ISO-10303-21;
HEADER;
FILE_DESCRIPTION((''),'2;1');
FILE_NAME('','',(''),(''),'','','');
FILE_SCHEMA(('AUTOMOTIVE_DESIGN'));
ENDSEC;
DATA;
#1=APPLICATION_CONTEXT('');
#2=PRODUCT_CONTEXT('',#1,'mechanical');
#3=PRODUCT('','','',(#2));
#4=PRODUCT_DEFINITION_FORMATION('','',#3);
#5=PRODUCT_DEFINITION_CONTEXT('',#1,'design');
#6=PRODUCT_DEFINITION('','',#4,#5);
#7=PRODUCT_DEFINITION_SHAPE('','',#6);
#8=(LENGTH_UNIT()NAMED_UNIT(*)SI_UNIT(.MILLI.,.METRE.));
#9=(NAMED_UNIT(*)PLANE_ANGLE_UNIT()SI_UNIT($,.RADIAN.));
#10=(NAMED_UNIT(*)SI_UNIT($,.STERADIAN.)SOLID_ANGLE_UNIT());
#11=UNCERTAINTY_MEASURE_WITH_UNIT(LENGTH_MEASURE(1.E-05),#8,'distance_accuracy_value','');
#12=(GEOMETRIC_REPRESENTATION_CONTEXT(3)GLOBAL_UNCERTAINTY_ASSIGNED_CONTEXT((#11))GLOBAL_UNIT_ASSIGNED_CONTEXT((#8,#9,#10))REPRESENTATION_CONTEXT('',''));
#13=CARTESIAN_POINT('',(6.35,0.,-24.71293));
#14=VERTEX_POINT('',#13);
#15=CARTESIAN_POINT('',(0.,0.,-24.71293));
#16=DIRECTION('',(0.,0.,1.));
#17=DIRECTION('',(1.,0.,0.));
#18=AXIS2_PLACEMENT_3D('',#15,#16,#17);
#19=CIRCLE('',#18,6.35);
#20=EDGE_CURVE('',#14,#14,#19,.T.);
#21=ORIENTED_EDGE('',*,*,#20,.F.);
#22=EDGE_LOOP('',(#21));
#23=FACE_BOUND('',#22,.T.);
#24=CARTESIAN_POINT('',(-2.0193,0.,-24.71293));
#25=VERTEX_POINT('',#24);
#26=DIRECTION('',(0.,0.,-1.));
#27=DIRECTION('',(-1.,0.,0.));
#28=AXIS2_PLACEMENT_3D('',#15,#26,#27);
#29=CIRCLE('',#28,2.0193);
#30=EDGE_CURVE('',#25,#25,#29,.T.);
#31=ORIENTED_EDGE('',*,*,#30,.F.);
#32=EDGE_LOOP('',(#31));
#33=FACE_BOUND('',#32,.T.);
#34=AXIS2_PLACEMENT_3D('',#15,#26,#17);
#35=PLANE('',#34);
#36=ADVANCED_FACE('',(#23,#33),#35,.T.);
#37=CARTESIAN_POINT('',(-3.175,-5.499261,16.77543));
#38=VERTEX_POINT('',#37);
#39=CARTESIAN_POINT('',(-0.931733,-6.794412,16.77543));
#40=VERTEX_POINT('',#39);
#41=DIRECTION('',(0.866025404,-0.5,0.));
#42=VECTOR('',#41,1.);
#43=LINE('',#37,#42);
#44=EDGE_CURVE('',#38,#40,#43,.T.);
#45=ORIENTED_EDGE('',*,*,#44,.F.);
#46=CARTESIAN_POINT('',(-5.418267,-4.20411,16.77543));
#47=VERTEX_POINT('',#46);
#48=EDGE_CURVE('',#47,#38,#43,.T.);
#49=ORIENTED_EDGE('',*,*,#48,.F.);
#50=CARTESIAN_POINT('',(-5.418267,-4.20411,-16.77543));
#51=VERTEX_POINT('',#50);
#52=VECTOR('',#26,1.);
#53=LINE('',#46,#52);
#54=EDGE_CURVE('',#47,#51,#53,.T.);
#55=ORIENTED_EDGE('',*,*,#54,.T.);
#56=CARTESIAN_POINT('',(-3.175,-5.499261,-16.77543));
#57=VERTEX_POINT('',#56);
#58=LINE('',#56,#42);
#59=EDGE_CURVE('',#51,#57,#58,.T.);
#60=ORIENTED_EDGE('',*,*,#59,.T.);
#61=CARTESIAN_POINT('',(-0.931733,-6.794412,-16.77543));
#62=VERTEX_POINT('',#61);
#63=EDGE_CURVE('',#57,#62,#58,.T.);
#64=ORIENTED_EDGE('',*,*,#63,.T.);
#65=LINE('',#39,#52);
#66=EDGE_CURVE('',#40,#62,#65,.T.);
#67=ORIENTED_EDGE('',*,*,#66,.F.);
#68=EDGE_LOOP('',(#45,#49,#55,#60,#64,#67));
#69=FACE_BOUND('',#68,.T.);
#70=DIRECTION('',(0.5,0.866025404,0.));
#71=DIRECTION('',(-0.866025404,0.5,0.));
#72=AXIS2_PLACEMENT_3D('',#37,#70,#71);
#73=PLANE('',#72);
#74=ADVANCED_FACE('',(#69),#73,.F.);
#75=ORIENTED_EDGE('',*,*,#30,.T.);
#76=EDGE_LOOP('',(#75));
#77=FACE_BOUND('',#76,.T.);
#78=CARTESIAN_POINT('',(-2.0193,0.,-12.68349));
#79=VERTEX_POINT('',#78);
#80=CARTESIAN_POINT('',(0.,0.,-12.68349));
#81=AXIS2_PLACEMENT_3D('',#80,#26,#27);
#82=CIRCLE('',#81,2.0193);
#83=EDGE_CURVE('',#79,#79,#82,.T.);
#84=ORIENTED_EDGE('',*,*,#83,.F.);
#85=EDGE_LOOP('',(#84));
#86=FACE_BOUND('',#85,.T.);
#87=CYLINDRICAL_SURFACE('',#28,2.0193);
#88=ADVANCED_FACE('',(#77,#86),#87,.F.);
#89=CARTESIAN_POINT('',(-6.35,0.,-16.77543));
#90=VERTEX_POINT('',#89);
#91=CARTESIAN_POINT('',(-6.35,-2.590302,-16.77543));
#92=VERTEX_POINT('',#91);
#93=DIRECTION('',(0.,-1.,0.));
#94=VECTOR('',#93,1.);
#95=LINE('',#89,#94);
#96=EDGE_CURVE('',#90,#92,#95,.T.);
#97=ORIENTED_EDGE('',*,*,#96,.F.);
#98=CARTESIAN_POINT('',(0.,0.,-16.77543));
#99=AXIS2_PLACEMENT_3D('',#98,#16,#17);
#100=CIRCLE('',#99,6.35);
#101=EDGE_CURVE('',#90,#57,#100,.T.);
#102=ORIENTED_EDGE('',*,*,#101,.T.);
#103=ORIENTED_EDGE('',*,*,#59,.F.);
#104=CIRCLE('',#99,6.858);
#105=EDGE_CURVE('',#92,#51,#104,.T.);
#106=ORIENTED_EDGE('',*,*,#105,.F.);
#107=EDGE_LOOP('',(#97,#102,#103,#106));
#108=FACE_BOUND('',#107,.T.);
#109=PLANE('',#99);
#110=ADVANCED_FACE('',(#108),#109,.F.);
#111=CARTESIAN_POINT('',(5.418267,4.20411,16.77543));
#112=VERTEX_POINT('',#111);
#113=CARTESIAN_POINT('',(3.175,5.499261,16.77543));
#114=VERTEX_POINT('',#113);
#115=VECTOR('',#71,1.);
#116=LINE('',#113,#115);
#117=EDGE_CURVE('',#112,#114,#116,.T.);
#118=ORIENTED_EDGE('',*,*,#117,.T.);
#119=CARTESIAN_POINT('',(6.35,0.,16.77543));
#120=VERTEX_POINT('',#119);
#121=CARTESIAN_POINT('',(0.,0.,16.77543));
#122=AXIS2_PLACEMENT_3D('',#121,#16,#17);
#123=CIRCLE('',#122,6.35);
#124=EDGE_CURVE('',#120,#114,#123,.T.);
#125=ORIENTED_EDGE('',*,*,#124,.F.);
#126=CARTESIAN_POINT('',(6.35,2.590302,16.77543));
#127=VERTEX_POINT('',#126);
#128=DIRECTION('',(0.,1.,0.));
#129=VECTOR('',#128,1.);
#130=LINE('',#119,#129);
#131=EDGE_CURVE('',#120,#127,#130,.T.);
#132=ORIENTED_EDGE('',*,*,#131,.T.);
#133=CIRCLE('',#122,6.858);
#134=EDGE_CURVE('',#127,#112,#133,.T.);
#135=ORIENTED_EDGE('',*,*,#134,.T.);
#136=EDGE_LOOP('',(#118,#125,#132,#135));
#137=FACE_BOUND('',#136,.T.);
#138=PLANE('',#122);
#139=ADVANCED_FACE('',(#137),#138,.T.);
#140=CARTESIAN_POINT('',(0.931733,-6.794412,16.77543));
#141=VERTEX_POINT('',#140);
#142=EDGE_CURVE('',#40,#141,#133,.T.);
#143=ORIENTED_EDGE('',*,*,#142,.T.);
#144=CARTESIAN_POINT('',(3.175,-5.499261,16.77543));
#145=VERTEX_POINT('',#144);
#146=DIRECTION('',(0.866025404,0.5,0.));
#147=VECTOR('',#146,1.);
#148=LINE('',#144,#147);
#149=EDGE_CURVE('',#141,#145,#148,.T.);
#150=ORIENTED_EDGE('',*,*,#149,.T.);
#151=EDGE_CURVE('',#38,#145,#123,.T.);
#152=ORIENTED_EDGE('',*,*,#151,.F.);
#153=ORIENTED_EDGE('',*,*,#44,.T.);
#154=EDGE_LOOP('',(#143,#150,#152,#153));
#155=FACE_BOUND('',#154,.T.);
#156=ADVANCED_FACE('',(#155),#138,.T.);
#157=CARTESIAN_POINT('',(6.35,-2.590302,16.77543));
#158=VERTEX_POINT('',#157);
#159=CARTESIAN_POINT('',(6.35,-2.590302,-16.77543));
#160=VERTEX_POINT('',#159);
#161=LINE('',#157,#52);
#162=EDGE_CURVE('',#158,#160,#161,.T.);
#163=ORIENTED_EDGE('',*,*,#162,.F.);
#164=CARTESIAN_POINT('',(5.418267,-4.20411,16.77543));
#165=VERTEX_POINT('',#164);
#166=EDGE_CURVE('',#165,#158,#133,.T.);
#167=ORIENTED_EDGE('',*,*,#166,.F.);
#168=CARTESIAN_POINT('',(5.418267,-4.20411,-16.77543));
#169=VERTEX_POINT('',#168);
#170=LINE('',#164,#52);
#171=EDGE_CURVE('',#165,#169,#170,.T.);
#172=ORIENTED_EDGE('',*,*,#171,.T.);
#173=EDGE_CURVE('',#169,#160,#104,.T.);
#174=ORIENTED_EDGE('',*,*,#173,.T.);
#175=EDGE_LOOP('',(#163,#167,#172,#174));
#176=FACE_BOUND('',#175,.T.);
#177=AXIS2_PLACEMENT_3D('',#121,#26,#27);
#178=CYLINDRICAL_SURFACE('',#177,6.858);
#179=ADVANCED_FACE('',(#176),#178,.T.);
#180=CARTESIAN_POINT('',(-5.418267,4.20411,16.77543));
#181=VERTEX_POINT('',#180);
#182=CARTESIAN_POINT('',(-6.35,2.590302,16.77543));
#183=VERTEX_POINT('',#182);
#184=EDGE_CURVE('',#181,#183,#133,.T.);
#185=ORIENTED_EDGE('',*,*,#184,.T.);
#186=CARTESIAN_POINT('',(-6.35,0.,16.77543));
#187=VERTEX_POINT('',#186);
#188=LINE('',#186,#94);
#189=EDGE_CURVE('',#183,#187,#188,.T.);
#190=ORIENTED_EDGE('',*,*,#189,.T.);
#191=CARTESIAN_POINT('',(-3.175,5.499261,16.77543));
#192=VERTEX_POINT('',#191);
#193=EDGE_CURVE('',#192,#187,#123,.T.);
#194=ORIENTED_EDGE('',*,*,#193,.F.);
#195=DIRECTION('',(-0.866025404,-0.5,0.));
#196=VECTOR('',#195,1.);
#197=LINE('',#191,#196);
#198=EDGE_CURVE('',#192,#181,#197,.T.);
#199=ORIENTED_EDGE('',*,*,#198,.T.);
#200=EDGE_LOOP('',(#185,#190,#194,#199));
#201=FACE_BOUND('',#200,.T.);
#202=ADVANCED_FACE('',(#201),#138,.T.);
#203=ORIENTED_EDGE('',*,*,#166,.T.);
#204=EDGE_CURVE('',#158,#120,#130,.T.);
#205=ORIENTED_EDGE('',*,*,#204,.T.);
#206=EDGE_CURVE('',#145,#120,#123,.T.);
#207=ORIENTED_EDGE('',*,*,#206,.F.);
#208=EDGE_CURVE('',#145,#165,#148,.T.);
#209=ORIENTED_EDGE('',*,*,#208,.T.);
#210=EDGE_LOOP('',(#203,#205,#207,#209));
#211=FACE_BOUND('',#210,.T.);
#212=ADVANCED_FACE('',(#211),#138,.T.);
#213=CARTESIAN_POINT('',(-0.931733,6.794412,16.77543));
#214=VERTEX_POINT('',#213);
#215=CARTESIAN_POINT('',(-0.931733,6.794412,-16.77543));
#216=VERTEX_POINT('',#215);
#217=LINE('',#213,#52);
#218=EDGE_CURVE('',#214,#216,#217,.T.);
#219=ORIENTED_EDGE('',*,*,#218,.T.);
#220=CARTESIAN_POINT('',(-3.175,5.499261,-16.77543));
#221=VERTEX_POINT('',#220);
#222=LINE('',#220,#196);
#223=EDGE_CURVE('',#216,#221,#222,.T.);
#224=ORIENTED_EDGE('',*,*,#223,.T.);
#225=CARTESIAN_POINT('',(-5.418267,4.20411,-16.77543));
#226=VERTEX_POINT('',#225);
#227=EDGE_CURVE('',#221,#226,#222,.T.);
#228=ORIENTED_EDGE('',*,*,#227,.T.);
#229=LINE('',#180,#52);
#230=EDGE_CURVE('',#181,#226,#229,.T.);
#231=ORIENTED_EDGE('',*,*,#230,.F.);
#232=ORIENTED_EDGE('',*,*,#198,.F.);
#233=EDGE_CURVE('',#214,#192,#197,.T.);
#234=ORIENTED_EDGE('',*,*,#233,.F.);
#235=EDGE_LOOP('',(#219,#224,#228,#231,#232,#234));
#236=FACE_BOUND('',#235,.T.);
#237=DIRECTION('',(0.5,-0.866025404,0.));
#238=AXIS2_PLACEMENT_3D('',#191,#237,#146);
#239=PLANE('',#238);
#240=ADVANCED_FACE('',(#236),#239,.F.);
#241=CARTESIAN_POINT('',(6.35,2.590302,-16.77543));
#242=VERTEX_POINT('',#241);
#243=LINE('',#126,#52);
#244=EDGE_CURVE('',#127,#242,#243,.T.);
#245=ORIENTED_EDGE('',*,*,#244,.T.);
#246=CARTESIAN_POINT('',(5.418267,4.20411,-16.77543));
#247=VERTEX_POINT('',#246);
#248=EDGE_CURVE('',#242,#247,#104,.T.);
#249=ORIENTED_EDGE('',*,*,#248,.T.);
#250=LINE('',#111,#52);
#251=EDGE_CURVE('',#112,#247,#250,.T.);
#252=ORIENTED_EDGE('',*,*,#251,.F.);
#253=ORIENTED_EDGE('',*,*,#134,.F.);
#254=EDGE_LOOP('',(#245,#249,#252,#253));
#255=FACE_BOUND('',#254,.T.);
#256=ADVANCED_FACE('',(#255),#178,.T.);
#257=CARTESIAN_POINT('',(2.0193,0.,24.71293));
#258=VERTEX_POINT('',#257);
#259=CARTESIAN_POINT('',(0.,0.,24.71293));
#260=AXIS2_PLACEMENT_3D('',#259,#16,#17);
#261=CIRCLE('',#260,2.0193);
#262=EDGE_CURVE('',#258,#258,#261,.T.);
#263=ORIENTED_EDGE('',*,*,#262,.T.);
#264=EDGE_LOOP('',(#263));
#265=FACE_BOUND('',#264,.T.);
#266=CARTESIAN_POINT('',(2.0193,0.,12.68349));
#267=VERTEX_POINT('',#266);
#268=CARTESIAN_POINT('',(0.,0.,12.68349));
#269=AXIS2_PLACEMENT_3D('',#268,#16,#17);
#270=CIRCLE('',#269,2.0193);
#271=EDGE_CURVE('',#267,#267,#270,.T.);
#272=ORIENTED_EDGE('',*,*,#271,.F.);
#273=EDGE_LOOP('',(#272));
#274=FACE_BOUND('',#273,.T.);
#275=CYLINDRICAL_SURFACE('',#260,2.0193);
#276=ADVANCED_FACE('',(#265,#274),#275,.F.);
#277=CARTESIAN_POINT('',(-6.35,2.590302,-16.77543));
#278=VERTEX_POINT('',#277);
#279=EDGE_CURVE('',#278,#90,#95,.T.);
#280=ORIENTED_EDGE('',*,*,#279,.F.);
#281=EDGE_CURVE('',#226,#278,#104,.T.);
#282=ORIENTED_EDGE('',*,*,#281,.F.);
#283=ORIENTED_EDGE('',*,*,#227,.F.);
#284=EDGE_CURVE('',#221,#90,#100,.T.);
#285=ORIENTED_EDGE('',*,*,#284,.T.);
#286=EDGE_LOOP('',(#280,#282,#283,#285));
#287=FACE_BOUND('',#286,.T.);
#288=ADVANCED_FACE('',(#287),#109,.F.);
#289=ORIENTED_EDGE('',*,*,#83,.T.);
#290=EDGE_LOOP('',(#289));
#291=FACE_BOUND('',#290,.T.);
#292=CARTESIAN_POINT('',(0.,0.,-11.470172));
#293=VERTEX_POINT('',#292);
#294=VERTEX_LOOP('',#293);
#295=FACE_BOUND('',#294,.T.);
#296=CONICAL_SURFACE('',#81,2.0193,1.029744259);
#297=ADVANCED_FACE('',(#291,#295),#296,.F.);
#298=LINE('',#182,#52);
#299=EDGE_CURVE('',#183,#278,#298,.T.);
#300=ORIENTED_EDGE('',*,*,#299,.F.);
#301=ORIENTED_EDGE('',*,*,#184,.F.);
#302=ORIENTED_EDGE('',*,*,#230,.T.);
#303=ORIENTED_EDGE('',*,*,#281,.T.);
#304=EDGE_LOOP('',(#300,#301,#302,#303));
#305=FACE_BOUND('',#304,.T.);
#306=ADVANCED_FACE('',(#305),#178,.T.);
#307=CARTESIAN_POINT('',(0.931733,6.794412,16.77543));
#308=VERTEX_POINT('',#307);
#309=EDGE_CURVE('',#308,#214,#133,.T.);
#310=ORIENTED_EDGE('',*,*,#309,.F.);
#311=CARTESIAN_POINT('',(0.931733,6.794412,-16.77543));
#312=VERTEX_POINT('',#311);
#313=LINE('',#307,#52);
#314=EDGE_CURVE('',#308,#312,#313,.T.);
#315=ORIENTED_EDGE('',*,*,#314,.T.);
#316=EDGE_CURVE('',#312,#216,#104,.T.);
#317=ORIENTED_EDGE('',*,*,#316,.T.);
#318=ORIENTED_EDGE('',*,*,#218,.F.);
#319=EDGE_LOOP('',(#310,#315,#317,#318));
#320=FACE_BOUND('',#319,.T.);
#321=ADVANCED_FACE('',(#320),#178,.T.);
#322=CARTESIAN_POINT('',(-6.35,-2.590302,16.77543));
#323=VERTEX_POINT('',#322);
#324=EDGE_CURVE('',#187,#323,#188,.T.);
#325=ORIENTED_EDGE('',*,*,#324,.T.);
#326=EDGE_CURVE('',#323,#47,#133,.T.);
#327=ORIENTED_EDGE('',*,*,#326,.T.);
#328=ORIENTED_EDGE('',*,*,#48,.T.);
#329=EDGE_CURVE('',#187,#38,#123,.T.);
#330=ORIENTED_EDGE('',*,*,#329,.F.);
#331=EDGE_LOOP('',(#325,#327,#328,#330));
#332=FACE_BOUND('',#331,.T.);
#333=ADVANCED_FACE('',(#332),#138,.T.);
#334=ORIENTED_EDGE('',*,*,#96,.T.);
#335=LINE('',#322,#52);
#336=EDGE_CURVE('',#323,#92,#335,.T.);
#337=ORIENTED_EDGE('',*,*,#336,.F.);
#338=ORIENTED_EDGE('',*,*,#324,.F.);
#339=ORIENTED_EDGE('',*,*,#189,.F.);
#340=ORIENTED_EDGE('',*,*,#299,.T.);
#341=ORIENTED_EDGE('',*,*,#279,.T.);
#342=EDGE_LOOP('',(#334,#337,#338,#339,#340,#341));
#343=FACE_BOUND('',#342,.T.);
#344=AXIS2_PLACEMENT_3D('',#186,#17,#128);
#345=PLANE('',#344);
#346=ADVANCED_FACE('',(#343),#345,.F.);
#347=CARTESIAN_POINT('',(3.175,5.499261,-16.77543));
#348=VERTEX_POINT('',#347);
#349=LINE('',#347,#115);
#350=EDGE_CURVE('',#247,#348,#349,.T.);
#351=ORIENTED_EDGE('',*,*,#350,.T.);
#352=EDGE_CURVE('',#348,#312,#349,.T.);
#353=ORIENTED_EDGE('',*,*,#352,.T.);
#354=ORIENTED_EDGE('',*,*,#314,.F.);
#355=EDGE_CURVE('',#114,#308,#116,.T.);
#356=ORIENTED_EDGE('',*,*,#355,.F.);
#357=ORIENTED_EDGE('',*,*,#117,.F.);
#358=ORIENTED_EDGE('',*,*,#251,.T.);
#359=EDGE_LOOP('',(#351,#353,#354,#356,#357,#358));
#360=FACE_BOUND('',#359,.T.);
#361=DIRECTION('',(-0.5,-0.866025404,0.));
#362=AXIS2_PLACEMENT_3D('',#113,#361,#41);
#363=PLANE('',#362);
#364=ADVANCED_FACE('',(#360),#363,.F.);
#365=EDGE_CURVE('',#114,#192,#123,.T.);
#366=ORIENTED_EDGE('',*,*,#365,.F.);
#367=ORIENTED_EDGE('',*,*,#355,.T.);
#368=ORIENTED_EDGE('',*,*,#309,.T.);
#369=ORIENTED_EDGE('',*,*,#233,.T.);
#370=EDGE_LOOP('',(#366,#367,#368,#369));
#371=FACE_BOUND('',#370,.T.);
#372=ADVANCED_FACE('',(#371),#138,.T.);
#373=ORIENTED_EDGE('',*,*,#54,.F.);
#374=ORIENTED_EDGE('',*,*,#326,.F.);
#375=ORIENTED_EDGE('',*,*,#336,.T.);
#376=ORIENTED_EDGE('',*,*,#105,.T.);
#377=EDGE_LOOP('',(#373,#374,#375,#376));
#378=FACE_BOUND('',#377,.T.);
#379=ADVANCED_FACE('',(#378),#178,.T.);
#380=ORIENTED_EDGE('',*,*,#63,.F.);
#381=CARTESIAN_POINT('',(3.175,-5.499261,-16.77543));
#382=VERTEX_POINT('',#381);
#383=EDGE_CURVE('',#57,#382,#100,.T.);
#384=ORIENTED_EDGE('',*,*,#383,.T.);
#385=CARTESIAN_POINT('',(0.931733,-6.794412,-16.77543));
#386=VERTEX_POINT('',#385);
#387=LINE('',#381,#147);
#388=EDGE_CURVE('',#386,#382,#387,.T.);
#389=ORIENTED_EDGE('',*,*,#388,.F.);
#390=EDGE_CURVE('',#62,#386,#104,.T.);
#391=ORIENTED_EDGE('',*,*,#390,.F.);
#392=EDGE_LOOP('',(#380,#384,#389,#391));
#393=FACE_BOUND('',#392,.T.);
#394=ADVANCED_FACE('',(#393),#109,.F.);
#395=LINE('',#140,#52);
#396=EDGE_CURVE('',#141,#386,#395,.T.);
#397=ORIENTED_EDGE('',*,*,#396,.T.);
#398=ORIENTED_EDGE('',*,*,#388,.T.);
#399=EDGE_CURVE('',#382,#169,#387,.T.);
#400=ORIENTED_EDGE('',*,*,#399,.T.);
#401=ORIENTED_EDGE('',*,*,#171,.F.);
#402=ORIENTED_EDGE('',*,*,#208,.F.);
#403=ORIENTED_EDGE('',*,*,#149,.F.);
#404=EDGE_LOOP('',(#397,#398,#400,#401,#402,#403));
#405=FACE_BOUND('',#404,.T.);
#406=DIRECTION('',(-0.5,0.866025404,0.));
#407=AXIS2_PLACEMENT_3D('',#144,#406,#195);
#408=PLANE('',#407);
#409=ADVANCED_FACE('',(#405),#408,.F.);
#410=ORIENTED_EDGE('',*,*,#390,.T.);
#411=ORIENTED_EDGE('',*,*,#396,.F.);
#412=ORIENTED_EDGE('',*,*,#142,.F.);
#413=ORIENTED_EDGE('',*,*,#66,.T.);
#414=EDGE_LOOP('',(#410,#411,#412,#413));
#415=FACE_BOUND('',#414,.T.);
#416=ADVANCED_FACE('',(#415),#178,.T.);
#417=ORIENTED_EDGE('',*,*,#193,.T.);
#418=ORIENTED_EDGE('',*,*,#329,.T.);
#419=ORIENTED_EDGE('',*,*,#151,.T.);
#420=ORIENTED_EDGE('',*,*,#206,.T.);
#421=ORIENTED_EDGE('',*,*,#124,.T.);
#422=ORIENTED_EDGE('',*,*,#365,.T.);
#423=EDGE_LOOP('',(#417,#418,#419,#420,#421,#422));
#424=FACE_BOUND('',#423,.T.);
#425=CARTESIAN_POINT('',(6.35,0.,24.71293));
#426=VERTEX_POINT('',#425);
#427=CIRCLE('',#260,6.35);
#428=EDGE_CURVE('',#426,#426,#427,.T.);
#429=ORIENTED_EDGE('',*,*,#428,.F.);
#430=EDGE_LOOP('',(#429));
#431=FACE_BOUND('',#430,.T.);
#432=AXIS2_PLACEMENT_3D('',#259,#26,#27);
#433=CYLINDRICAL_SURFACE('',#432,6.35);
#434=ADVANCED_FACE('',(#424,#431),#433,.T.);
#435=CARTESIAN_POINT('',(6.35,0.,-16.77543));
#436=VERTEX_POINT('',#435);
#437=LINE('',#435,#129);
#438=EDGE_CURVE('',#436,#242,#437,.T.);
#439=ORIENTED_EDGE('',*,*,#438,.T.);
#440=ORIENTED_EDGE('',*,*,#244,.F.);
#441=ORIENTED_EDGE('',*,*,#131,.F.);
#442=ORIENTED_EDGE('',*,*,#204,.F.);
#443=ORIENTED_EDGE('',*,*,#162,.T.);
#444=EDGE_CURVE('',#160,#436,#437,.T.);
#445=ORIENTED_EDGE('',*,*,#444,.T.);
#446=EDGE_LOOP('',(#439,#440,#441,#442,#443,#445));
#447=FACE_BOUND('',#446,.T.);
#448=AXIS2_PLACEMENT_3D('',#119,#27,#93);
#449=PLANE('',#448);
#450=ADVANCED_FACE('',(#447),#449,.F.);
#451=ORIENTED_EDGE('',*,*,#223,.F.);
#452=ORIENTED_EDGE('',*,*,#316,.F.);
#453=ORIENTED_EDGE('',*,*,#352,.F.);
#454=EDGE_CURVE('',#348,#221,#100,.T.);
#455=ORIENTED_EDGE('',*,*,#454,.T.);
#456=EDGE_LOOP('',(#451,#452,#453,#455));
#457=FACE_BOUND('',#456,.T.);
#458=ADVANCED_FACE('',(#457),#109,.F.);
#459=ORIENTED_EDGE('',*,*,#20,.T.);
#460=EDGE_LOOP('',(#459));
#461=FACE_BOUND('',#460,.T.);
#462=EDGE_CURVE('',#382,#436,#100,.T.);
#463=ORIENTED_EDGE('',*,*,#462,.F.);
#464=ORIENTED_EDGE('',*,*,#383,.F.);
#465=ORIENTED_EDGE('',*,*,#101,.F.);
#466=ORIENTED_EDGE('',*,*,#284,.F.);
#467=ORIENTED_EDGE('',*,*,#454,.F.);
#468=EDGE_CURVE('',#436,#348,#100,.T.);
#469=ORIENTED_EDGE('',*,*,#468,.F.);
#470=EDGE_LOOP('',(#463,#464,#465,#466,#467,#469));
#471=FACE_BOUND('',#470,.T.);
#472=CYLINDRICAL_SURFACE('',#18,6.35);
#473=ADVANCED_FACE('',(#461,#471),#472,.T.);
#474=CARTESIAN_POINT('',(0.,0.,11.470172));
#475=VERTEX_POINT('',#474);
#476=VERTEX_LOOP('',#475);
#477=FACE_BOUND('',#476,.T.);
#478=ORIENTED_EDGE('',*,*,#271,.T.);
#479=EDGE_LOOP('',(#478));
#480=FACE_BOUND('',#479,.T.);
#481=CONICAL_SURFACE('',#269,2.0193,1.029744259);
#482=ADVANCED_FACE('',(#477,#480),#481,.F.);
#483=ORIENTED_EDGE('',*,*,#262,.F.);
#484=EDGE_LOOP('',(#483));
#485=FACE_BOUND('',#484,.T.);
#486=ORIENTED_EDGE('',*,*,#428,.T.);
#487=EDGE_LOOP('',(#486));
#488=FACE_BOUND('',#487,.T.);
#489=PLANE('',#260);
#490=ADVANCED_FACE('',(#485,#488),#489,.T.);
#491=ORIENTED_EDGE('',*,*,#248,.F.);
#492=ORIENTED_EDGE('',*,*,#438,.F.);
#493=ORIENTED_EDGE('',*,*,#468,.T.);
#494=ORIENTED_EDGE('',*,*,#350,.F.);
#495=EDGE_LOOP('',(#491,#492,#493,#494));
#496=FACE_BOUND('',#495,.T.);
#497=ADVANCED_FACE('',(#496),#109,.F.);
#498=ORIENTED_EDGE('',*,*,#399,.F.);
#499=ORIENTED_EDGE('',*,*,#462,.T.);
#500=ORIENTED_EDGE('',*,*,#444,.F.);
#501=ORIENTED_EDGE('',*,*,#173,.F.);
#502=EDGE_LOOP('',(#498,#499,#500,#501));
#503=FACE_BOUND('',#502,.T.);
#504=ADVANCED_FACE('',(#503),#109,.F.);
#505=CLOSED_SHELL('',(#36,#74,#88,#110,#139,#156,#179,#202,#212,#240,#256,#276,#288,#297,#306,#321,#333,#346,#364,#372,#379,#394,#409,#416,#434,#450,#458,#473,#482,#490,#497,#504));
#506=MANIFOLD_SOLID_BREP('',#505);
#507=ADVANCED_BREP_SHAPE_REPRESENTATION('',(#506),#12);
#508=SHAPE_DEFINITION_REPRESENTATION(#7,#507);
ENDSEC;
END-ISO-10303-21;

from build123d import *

# Parameters (mm, degrees)
BOSS_EXTRUDE1_DEPTH                  = 16.77543
SKETCH4_R                            = 6.35
BOSS_EXTRUDE2_DEPTH                  = 7.9375
F_10_32_TAPPED_HOLE1_D               = 4.0386
F_10_32_TAPPED_HOLE1_DEPTH           = 12.02944
F_10_32_TAPPED_HOLE1_TIP             = 1.213317848
F_10_32_TAPPED_HOLE1_ON_FACE_2_D     = 4.0386
F_10_32_TAPPED_HOLE1_ON_FACE_2_DEPTH = 12.02944
F_10_32_TAPPED_HOLE1_ON_FACE_2_TIP   = 1.213317848


with BuildPart() as part:
    # Sketch1 → Boss-Extrude1 (new, symmetric)
    with BuildSketch(Plane.XY):
        with BuildLine():
            ThreePointArc((0.93173274, 6.79441227), (0, 6.858), (-0.93173274, 6.79441227))
            Line((-0.93173274, 6.79441227), (-5.41826726, 4.204110358))
            ThreePointArc((-5.41826726, 4.204110358), (-5.939202219, 3.429), (-6.35, 2.590301913))
            Line((-6.35, 2.590301913), (-6.35, -2.590301913))
            ThreePointArc((-6.35, -2.590301913), (-5.939202219, -3.429), (-5.41826726, -4.204110358))
            Line((-5.41826726, -4.204110358), (-0.93173274, -6.79441227))
            ThreePointArc((-0.93173274, -6.79441227), (0, -6.858), (0.93173274, -6.79441227))
            Line((0.93173274, -6.79441227), (5.41826726, -4.204110358))
            ThreePointArc((5.41826726, -4.204110358), (5.939202219, -3.429), (6.35, -2.590301913))
            Line((6.35, -2.590301913), (6.35, 2.590301913))
            ThreePointArc((6.35, 2.590301913), (5.939202219, 3.429), (5.41826726, 4.204110358))
            Line((5.41826726, 4.204110358), (0.93173274, 6.79441227))
        make_face()
    extrude(amount=BOSS_EXTRUDE1_DEPTH, both=True)

    # Sketch4 → Boss-Extrude2 (add)
    with BuildSketch(Plane.XY.offset(16.77543)):
        Circle(SKETCH4_R)
    boss_extrude2 = extrude(amount=BOSS_EXTRUDE2_DEPTH)

    # Mirror1: Boss-Extrude2 across plane
    add(boss_extrude2.mirror(Plane.XY))

    # #10-32 Tapped Hole1
    with Locations(Plane.XY.offset(24.71293)):
        with Locations((0, 0)):
            Hole(F_10_32_TAPPED_HOLE1_D / 2, depth=F_10_32_TAPPED_HOLE1_DEPTH)
            with Locations((0, 0, -(F_10_32_TAPPED_HOLE1_DEPTH + F_10_32_TAPPED_HOLE1_TIP / 2))):  # 118° drill point
                Cone(0, F_10_32_TAPPED_HOLE1_D / 2, F_10_32_TAPPED_HOLE1_TIP, mode=Mode.SUBTRACT)

    # #10-32 Tapped Hole1 on face 2
    with Locations(Plane(origin=(0, 0, -24.71293), x_dir=(-1, 0, 0), z_dir=(0, 0, -1))):
        with Locations((0, 0)):
            Hole(F_10_32_TAPPED_HOLE1_ON_FACE_2_D / 2, depth=F_10_32_TAPPED_HOLE1_ON_FACE_2_DEPTH)
            with Locations((0, 0, -(F_10_32_TAPPED_HOLE1_ON_FACE_2_DEPTH + F_10_32_TAPPED_HOLE1_ON_FACE_2_TIP / 2))):  # 118° drill point
                Cone(0, F_10_32_TAPPED_HOLE1_ON_FACE_2_D / 2, F_10_32_TAPPED_HOLE1_ON_FACE_2_TIP, mode=Mode.SUBTRACT)


solid = part.part
